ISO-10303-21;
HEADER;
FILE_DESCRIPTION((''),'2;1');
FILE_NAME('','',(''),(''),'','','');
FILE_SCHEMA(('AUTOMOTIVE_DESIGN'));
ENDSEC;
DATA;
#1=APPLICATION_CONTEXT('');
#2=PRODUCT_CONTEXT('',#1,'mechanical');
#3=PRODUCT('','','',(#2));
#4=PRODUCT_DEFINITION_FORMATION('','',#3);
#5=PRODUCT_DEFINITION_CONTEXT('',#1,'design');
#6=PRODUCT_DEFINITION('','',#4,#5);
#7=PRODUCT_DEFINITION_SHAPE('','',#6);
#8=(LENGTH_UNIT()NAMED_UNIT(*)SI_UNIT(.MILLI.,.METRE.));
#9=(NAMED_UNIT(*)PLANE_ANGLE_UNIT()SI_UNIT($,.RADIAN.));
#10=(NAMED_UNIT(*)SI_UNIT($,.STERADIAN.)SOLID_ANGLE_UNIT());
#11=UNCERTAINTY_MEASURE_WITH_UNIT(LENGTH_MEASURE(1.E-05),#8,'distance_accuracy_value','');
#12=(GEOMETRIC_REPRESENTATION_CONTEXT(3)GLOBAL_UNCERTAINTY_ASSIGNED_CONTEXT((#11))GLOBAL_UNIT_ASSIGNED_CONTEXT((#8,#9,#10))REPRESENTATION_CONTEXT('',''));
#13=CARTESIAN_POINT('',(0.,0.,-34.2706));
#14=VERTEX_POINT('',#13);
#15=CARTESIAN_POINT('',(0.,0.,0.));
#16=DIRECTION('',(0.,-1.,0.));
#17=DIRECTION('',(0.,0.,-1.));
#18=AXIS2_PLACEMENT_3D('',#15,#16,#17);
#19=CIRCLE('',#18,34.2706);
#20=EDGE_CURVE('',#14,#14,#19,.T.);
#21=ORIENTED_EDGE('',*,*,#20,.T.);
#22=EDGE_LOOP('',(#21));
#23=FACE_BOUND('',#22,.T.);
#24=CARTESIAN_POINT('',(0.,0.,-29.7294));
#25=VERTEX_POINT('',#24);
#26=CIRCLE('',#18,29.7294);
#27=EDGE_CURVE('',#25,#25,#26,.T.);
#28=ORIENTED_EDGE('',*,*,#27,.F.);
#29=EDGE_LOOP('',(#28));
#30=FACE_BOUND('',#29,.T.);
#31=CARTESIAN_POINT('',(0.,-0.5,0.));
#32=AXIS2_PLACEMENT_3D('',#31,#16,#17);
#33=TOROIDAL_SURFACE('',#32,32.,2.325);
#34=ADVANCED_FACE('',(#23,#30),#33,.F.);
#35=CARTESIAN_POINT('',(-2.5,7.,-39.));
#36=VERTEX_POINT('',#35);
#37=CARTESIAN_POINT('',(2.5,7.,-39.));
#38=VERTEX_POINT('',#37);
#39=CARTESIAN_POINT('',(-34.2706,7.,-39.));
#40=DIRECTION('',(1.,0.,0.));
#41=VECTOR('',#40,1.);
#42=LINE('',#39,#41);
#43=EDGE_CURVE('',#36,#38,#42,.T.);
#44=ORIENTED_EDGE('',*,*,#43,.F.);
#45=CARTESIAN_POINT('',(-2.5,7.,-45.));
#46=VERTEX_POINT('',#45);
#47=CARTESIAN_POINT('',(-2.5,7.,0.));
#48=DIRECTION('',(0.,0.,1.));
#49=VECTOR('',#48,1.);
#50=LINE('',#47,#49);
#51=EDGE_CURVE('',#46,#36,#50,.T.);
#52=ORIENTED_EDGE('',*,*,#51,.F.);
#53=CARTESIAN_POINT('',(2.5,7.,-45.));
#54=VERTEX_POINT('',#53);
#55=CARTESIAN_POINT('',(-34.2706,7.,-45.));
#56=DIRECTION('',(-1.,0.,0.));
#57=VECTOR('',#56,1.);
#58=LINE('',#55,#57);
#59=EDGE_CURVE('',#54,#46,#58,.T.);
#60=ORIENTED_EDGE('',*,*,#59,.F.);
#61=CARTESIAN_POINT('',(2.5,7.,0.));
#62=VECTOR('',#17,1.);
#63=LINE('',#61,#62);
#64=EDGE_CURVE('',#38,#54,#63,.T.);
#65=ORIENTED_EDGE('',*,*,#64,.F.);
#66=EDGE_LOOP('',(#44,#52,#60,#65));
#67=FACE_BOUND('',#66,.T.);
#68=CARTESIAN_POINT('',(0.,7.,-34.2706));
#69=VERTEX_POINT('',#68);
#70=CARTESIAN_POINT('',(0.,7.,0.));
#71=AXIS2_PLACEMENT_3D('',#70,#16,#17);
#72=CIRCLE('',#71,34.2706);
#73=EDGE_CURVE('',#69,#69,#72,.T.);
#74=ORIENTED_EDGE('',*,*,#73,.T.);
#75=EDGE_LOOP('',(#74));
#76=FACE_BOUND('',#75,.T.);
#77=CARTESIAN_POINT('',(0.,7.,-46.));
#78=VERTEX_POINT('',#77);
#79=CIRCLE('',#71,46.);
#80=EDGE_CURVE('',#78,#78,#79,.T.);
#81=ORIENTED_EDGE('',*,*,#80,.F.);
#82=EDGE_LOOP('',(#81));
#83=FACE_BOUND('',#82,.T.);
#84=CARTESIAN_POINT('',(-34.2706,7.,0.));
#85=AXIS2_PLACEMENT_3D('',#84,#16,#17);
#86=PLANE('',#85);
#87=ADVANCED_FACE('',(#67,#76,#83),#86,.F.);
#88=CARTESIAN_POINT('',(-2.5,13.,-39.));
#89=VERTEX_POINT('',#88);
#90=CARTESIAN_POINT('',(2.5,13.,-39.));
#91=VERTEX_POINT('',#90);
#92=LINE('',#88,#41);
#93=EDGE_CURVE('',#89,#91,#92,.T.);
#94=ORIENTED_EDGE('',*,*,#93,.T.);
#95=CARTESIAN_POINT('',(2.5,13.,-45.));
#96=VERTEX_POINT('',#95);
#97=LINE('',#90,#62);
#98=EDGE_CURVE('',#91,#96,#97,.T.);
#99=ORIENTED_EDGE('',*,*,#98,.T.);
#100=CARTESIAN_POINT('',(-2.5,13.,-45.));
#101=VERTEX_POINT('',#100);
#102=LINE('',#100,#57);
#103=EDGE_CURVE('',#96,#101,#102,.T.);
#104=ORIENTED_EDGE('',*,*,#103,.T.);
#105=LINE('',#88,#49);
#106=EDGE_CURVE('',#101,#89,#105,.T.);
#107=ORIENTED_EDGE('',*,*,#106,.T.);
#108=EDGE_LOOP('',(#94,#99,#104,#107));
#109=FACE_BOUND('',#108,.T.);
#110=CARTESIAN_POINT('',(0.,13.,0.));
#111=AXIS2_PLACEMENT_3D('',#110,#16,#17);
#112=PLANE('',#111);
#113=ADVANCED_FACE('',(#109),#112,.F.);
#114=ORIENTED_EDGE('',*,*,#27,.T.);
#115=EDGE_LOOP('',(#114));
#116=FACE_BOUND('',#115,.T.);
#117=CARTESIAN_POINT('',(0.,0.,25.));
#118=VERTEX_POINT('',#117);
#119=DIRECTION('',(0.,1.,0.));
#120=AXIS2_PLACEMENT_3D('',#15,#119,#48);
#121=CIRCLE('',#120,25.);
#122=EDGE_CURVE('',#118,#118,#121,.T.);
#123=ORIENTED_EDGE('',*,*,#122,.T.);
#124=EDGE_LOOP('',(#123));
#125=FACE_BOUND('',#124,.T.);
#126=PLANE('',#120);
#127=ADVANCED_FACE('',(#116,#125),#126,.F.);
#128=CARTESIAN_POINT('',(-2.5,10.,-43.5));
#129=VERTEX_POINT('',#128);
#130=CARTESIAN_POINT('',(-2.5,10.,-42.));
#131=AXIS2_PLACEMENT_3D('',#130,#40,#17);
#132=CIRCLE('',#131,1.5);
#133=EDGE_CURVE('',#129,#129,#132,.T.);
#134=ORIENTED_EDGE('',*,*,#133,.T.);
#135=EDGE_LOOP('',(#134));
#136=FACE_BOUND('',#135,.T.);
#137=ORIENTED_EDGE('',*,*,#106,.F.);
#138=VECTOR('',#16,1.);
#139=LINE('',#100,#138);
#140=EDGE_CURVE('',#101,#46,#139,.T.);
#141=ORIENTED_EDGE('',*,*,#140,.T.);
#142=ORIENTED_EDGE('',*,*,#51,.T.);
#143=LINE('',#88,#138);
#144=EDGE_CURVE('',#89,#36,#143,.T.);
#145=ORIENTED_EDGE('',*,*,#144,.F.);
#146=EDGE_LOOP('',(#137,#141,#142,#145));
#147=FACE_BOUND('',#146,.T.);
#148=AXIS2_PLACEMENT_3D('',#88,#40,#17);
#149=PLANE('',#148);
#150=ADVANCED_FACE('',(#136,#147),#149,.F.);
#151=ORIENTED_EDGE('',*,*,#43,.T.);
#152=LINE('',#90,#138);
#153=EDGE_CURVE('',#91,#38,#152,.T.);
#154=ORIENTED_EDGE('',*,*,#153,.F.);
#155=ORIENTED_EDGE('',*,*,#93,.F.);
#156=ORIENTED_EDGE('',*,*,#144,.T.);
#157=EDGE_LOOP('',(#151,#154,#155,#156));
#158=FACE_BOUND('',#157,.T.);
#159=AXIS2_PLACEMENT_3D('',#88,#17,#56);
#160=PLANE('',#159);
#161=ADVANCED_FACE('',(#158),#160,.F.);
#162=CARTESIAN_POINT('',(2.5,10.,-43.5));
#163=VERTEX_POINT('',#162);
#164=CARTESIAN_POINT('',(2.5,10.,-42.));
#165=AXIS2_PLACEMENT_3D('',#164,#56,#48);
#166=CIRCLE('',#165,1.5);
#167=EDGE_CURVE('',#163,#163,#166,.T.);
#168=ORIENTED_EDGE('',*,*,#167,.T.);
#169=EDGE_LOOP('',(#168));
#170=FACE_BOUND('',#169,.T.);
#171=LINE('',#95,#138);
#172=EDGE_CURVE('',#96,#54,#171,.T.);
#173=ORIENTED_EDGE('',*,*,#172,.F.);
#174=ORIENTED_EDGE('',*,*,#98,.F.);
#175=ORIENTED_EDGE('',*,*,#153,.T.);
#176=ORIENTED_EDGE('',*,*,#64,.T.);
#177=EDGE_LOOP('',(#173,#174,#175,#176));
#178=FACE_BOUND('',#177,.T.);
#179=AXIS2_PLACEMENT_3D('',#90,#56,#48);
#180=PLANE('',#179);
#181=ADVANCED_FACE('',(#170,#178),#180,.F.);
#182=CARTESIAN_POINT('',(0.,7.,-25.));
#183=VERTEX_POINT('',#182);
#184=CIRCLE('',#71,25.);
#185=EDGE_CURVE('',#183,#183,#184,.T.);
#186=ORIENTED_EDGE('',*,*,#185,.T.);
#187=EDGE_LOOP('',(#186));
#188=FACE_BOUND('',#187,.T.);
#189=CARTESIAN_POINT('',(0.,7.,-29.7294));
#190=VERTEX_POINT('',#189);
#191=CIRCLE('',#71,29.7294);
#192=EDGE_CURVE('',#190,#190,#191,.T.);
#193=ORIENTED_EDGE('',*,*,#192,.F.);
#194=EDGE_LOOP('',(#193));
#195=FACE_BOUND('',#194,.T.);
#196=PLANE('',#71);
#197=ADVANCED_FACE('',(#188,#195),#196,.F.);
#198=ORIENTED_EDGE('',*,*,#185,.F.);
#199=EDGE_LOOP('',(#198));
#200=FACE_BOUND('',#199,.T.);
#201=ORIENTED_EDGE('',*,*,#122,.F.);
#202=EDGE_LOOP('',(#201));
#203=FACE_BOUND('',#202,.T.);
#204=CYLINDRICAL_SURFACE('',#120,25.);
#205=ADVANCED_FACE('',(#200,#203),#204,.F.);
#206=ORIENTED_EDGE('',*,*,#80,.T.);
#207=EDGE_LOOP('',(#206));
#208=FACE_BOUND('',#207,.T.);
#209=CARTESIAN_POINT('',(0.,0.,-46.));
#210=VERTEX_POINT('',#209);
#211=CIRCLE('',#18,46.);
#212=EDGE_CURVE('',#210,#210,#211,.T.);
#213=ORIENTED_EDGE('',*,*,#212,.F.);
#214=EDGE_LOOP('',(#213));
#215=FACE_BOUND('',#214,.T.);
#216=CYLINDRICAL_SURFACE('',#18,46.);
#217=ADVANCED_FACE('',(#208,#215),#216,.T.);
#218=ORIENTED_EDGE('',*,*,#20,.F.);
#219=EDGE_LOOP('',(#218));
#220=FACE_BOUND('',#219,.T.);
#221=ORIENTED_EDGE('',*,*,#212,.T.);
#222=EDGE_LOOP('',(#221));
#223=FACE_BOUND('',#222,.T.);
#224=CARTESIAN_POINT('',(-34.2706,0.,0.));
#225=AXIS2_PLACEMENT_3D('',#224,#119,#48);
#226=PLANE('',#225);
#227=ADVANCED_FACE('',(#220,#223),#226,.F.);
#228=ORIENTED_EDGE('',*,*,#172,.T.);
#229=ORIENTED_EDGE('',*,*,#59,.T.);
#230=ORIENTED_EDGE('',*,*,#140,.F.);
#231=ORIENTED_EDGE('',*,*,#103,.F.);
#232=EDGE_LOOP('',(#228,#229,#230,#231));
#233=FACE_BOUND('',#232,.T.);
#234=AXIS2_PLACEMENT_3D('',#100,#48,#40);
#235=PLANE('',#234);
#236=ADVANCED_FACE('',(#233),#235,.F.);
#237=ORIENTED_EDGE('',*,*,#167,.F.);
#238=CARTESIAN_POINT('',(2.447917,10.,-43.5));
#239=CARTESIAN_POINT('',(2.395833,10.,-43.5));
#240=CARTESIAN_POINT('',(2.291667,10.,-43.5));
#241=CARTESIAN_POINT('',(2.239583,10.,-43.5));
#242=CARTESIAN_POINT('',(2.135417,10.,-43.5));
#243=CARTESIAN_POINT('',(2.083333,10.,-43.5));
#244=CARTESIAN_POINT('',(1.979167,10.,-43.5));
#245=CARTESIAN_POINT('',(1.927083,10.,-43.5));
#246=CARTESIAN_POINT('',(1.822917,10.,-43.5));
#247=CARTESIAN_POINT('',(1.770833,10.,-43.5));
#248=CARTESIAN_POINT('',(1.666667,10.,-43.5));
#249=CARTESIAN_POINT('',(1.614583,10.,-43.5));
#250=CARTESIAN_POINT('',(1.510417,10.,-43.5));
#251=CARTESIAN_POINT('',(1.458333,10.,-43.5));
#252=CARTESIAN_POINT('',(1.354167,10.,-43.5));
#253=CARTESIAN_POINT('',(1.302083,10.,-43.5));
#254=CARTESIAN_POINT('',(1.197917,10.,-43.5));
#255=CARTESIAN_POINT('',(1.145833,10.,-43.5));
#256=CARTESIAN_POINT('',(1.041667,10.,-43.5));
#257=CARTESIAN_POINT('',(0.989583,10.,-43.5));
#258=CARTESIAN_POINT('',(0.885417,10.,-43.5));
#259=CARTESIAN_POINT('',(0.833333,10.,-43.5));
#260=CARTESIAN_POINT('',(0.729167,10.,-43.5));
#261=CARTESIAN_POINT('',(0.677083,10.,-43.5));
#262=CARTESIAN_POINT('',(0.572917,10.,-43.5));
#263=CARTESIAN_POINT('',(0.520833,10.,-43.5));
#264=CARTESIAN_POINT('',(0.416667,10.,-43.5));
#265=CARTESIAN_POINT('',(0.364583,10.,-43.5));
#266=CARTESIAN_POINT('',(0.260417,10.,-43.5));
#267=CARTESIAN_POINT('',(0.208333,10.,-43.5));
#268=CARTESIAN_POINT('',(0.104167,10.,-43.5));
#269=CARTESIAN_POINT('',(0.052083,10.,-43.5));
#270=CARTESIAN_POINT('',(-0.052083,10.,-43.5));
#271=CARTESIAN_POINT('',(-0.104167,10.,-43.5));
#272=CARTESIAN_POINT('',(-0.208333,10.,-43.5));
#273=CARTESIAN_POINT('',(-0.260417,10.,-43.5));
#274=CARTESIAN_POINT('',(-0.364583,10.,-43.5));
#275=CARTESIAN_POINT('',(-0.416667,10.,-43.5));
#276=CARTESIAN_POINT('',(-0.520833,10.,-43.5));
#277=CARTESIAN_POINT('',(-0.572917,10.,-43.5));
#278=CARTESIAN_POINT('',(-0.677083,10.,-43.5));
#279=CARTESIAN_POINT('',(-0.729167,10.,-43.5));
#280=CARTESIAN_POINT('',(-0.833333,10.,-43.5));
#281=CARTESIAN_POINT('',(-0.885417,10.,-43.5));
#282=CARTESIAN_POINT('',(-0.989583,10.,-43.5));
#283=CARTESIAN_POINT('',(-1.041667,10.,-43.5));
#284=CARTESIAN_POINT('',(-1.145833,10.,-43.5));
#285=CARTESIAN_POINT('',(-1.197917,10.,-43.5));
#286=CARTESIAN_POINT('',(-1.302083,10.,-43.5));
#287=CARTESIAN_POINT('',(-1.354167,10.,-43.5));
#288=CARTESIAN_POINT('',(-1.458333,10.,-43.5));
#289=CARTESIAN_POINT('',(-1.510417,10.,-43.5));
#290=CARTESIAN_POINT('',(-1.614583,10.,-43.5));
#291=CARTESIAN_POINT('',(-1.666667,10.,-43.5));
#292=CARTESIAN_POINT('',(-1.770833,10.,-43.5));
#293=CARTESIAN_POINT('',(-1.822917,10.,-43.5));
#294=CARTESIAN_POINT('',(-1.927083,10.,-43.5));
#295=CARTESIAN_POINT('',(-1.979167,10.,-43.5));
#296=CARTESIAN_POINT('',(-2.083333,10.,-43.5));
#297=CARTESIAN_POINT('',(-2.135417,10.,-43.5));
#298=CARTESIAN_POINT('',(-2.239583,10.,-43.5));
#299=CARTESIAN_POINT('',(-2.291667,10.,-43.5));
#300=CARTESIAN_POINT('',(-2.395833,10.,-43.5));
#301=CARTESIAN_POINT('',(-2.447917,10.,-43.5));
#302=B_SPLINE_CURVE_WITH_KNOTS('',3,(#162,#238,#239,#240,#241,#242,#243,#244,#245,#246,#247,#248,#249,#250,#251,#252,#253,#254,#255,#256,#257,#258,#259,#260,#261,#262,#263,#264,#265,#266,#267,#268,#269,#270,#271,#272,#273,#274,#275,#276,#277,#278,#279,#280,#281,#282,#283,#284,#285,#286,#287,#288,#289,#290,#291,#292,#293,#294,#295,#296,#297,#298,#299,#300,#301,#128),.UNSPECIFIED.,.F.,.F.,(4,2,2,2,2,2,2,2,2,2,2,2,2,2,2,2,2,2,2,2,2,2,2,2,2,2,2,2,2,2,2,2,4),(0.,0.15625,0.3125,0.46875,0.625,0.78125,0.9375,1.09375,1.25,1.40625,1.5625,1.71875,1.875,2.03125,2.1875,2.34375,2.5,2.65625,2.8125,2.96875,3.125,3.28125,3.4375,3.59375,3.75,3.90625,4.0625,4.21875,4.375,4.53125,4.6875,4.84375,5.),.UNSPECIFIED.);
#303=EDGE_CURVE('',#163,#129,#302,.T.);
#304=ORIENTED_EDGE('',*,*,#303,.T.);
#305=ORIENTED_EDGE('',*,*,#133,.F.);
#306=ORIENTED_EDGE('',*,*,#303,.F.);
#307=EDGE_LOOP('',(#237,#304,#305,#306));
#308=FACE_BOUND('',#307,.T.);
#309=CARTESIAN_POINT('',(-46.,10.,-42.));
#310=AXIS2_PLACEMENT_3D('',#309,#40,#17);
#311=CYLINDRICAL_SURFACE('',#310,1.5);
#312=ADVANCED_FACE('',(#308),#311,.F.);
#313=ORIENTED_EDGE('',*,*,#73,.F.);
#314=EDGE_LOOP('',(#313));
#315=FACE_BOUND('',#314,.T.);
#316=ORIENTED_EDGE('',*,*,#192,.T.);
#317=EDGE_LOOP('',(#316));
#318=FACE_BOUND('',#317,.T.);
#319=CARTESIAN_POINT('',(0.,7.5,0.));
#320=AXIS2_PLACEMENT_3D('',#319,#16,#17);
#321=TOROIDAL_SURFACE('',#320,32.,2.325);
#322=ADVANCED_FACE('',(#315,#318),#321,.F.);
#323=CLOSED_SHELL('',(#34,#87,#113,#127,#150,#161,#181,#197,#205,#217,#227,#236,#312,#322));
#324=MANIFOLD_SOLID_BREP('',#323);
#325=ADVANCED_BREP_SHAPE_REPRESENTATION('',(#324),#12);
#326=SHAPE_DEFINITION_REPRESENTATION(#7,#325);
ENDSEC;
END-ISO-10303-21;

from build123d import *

# Parameters (mm, degrees)
CUT_EXTRUDE1_DEPTH      = 66.429351212
CUT_EXTRUDE1_DEPTH_BACK = 66.429351212
SKETCH4_R               = 25
SKETCH5_W               = 5
SKETCH5_H               = 6
BOSS_EXTRUDE1_DEPTH     = 13
CUT_EXTRUDE2_DEPTH      = 67.340033162
CUT_EXTRUDE2_DEPTH_BACK = 67.340033162
SKETCH6_R               = 1.5


with BuildPart() as part:
    # Sketch3 → Revolve1 (revolve)
    with BuildSketch(Plane.XY, mode=Mode.PRIVATE) as revolve1_sk:
        with BuildLine():
            Line((0, 0), (-29.729399859, 0))
            ThreePointArc((-29.729399859, 0), (-32, 1.825), (-34.270600141, 0))
            Line((-34.270600141, 0), (-46, 0))
            Line((-46, 0), (-46, 7))
            Line((-46, 7), (-34.270600141, 7))
            ThreePointArc((-34.270600141, 7), (-32, 5.175), (-29.729399859, 7))
            Line((-29.729399859, 7), (0, 7))
            Line((0, 7), (0, 0))
        make_face()
    revolve(revolve1_sk.sketch.rotate(Axis((0, 0, 0), (0, 1, 0)), 270), axis=Axis((0, 0, 0), (0, 1, 0)))

    # Sketch4 → Cut-Extrude1 (cut, two sides: drawn at the far end of the back side and taken through both)
    with BuildSketch(Plane(origin=(0, 7, 0), x_dir=(1, 0, 0), z_dir=(0, 1, 0)).offset(-CUT_EXTRUDE1_DEPTH_BACK)):
        with Locations(Location((0, 0, 0), (0, 0, 270))):
            Circle(SKETCH4_R)
    extrude(amount=CUT_EXTRUDE1_DEPTH + CUT_EXTRUDE1_DEPTH_BACK, mode=Mode.SUBTRACT)

    # Sketch5 → Boss-Extrude1 (add)
    with BuildSketch(Plane(origin=(0, 0, 0), x_dir=(1, 0, 0), z_dir=(0, 1, 0))):
        with Locations((0, 42)):
            Rectangle(SKETCH5_W, SKETCH5_H)
    extrude(amount=BOSS_EXTRUDE1_DEPTH)

    # Sketch6 → Cut-Extrude2 (cut, two sides: drawn at the far end of the back side and taken through both)
    with BuildSketch(Plane(origin=(0, 0, 0), x_dir=(0, 0, -1), z_dir=(1, 0, 0)).offset(-CUT_EXTRUDE2_DEPTH_BACK)):
        with Locations((42, 10)):
            Circle(SKETCH6_R)
    extrude(amount=CUT_EXTRUDE2_DEPTH + CUT_EXTRUDE2_DEPTH_BACK, mode=Mode.SUBTRACT)


solid = part.part
